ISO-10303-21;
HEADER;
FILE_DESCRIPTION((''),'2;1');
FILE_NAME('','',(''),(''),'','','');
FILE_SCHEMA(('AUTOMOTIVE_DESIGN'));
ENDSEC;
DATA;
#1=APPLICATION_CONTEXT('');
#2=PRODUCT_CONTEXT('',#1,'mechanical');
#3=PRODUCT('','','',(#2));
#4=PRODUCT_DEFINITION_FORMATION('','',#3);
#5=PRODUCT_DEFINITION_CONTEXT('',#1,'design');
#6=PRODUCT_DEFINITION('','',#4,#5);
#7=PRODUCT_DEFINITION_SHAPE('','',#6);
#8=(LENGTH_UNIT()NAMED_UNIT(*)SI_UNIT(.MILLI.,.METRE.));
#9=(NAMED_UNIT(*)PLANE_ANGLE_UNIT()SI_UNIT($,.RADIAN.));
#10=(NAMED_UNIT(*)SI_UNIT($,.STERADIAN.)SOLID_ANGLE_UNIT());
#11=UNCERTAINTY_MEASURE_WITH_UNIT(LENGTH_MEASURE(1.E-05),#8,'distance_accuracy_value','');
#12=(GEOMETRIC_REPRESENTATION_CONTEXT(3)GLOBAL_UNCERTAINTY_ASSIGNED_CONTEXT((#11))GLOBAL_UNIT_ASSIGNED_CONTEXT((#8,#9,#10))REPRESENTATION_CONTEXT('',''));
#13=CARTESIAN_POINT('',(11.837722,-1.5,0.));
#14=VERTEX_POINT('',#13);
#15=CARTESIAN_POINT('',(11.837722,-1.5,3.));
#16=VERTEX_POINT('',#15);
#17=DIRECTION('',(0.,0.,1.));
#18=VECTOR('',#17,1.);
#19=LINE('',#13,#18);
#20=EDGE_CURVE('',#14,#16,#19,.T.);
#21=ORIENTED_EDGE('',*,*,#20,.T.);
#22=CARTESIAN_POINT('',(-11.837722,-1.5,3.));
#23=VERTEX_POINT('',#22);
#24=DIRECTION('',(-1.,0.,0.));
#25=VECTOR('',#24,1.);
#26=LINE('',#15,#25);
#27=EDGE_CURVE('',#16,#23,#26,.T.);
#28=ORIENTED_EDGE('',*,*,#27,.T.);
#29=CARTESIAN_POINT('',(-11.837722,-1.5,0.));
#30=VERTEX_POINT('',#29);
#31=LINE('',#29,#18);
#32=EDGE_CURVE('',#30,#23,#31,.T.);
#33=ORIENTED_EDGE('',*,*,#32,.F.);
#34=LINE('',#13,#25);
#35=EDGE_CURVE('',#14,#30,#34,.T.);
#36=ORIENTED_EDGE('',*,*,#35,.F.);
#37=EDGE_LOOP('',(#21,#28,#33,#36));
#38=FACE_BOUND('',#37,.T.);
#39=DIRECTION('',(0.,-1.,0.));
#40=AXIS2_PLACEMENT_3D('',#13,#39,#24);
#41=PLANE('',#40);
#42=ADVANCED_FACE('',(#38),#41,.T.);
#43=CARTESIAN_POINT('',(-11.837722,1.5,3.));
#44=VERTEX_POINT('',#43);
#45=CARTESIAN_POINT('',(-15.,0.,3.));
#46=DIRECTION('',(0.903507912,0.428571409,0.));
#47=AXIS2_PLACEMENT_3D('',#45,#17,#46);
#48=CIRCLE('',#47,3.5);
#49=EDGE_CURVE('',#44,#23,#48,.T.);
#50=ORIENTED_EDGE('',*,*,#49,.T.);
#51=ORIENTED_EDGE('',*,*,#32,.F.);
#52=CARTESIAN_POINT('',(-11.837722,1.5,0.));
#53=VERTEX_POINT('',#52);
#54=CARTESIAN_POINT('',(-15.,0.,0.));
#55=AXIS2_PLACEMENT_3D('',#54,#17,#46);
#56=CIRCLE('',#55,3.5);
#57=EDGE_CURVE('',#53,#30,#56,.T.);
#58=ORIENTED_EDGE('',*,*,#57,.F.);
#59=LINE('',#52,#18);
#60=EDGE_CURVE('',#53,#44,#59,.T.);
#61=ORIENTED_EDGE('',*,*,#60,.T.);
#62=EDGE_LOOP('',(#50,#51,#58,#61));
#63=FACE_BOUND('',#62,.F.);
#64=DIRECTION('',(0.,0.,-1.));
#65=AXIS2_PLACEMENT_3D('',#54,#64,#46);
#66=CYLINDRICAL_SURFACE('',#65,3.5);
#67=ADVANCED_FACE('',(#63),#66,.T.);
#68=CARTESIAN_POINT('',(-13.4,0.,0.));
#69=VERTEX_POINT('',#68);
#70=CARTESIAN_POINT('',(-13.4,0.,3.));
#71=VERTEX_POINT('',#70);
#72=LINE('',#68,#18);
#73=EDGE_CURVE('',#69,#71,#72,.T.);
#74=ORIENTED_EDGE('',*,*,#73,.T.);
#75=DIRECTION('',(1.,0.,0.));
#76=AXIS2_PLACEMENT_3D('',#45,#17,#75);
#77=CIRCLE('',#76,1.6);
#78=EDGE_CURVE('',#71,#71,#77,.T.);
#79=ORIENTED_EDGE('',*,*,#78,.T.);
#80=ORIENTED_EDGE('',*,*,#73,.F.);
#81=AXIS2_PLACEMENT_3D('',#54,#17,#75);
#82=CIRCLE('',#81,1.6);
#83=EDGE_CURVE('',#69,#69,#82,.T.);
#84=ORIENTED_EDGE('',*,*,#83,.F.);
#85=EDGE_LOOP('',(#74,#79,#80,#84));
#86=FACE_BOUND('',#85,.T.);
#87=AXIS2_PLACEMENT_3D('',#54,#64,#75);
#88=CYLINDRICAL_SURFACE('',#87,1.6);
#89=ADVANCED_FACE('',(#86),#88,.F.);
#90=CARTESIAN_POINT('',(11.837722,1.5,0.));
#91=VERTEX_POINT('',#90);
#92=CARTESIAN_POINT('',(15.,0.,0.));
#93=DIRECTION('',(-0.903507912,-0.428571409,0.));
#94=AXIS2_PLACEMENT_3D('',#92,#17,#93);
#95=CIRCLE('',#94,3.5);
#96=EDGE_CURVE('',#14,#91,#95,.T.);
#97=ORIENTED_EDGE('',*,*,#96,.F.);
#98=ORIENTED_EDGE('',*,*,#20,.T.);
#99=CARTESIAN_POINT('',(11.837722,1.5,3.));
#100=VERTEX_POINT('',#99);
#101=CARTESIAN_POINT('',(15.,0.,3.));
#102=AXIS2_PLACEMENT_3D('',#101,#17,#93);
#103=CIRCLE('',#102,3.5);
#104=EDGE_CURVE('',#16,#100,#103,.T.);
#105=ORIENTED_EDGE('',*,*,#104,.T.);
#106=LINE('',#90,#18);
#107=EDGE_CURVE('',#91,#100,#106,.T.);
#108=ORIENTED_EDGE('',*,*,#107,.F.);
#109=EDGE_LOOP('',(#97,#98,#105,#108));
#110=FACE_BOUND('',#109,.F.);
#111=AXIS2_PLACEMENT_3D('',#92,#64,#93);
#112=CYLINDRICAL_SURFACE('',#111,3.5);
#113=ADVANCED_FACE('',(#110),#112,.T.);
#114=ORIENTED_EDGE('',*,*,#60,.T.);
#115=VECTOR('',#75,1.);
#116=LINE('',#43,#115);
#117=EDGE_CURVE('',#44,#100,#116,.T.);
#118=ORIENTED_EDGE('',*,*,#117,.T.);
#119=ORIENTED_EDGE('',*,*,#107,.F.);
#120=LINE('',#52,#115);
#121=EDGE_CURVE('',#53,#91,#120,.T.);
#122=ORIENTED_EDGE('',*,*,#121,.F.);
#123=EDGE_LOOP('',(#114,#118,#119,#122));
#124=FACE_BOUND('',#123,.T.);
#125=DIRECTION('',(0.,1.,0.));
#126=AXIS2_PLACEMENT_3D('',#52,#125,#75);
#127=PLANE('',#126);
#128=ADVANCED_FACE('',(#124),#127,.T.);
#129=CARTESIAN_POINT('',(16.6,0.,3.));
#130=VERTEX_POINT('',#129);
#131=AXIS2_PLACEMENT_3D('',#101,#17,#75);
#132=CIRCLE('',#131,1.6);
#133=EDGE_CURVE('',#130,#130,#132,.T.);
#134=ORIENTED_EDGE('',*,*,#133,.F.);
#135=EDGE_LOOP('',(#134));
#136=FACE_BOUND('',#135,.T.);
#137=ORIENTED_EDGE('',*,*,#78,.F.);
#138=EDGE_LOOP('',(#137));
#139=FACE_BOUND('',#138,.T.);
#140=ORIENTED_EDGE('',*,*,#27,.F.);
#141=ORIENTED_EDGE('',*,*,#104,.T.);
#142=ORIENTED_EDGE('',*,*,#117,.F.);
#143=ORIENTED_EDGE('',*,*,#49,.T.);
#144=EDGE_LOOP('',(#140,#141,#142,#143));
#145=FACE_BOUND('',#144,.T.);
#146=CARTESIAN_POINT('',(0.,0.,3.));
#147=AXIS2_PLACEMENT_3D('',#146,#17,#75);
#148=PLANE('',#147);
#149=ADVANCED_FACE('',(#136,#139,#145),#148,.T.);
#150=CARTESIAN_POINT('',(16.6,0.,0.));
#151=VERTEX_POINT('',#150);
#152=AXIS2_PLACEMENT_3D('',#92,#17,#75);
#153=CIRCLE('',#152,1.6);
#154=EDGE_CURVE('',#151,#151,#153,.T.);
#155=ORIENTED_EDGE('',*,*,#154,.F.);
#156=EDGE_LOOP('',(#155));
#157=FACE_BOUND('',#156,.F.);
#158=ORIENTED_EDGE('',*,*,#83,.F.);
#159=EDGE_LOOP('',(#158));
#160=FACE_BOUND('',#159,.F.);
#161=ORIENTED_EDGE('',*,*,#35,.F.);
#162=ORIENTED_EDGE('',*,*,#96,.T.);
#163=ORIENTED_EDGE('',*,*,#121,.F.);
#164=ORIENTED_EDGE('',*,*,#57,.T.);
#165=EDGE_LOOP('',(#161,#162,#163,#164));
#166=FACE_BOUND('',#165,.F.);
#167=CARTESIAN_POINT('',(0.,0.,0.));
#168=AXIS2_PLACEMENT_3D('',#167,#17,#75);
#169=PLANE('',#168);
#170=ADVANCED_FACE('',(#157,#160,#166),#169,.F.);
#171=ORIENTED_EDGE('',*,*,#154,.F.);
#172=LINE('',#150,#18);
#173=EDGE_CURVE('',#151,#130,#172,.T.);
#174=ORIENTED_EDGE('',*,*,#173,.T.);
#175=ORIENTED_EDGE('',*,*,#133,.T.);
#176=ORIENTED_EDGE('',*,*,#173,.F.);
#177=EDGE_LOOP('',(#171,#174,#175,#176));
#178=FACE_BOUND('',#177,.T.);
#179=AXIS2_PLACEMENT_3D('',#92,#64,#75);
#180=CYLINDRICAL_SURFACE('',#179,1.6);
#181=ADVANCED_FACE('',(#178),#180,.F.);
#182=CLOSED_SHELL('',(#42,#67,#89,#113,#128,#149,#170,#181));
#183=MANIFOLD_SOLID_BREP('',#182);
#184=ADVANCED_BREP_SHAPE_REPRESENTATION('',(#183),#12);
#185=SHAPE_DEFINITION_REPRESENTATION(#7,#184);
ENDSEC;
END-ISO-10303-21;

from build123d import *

# Parameters (mm, degrees)
SKETCH_R  = 1.6
PAD_DEPTH = 3


with BuildPart() as part:
    # Sketch → Pad (new body)
    with BuildSketch(Plane.XY):
        with BuildLine():
            ThreePointArc((-11.837722, 1.5), (-18.5, 0), (-11.837722, -1.5))
            Line((11.837722, -1.5), (-11.837722, -1.5))
            ThreePointArc((11.837722, -1.5), (18.5, 0), (11.837722, 1.5))
            Line((-11.837722, 1.5), (11.837722, 1.5))
        make_face()
        with Locations((-15, 0)):
            Circle(SKETCH_R, mode=Mode.SUBTRACT)
        with Locations((15, 0)):
            Circle(SKETCH_R, mode=Mode.SUBTRACT)
    extrude(amount=PAD_DEPTH)


solid = part.part
